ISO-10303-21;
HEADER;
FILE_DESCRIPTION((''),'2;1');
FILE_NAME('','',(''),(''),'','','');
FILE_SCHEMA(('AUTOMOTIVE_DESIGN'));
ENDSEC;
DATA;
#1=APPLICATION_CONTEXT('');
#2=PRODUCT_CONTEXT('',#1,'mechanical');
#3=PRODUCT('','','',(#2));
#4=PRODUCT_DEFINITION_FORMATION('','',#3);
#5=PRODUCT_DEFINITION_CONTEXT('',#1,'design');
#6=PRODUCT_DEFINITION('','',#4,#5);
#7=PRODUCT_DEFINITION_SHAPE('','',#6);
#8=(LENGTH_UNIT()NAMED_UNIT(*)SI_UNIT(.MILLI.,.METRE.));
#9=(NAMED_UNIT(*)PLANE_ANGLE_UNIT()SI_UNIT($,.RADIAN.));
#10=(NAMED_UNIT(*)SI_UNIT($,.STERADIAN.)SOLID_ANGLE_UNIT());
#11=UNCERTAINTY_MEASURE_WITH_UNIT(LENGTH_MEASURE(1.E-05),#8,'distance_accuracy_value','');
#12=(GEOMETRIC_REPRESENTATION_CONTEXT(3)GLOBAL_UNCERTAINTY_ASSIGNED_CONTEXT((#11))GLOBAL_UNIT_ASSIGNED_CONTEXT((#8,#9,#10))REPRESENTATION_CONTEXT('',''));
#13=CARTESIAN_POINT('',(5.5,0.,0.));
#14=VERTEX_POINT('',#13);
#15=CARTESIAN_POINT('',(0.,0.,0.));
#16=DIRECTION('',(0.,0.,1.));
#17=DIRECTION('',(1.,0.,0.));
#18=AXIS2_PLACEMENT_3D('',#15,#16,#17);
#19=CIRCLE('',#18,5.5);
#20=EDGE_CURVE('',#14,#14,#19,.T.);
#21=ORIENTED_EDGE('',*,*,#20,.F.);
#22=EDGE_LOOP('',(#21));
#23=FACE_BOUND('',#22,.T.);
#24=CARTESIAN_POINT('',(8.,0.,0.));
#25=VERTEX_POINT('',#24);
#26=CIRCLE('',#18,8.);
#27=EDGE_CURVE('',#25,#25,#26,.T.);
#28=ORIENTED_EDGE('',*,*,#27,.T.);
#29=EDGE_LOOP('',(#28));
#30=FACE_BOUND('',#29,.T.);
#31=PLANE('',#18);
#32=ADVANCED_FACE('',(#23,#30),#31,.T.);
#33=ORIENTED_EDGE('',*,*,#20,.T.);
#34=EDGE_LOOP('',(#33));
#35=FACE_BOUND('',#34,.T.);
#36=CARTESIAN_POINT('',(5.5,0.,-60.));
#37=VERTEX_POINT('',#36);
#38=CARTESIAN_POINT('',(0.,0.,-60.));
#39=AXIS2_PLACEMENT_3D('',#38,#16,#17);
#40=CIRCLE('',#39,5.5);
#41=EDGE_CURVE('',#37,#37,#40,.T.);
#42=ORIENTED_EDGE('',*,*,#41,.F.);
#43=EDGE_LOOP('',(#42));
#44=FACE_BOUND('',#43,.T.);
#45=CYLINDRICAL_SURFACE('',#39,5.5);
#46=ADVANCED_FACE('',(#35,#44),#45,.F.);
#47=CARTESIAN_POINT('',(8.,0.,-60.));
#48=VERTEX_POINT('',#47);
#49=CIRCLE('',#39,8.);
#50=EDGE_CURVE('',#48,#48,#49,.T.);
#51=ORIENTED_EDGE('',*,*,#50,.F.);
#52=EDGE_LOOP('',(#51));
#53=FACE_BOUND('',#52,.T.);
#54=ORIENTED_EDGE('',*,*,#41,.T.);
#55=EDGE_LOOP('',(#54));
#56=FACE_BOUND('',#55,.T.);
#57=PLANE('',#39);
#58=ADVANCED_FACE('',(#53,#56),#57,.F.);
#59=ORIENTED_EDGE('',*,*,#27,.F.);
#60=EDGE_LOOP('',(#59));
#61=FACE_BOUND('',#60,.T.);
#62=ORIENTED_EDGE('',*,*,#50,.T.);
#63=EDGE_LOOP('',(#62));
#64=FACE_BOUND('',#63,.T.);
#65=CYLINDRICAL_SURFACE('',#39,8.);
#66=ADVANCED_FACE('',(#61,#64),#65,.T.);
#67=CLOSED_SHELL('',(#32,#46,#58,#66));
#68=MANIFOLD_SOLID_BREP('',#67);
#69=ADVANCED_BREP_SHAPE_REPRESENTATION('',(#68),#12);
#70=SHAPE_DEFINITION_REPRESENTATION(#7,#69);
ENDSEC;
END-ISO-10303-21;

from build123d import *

# Parameters (mm, degrees)
SZKIC1_R                    = 8
SZKIC1_R_2                  = 5.5
DODANIE_WYCI_GNI_CIE1_DEPTH = 60


with BuildPart() as part:
    # Szkic1 → Dodanie-wyciągnięcie1 (new body)
    with BuildSketch(Plane.XY):
        Circle(SZKIC1_R)
        Circle(SZKIC1_R_2, mode=Mode.SUBTRACT)
    extrude(amount=-DODANIE_WYCI_GNI_CIE1_DEPTH)


solid = part.part
